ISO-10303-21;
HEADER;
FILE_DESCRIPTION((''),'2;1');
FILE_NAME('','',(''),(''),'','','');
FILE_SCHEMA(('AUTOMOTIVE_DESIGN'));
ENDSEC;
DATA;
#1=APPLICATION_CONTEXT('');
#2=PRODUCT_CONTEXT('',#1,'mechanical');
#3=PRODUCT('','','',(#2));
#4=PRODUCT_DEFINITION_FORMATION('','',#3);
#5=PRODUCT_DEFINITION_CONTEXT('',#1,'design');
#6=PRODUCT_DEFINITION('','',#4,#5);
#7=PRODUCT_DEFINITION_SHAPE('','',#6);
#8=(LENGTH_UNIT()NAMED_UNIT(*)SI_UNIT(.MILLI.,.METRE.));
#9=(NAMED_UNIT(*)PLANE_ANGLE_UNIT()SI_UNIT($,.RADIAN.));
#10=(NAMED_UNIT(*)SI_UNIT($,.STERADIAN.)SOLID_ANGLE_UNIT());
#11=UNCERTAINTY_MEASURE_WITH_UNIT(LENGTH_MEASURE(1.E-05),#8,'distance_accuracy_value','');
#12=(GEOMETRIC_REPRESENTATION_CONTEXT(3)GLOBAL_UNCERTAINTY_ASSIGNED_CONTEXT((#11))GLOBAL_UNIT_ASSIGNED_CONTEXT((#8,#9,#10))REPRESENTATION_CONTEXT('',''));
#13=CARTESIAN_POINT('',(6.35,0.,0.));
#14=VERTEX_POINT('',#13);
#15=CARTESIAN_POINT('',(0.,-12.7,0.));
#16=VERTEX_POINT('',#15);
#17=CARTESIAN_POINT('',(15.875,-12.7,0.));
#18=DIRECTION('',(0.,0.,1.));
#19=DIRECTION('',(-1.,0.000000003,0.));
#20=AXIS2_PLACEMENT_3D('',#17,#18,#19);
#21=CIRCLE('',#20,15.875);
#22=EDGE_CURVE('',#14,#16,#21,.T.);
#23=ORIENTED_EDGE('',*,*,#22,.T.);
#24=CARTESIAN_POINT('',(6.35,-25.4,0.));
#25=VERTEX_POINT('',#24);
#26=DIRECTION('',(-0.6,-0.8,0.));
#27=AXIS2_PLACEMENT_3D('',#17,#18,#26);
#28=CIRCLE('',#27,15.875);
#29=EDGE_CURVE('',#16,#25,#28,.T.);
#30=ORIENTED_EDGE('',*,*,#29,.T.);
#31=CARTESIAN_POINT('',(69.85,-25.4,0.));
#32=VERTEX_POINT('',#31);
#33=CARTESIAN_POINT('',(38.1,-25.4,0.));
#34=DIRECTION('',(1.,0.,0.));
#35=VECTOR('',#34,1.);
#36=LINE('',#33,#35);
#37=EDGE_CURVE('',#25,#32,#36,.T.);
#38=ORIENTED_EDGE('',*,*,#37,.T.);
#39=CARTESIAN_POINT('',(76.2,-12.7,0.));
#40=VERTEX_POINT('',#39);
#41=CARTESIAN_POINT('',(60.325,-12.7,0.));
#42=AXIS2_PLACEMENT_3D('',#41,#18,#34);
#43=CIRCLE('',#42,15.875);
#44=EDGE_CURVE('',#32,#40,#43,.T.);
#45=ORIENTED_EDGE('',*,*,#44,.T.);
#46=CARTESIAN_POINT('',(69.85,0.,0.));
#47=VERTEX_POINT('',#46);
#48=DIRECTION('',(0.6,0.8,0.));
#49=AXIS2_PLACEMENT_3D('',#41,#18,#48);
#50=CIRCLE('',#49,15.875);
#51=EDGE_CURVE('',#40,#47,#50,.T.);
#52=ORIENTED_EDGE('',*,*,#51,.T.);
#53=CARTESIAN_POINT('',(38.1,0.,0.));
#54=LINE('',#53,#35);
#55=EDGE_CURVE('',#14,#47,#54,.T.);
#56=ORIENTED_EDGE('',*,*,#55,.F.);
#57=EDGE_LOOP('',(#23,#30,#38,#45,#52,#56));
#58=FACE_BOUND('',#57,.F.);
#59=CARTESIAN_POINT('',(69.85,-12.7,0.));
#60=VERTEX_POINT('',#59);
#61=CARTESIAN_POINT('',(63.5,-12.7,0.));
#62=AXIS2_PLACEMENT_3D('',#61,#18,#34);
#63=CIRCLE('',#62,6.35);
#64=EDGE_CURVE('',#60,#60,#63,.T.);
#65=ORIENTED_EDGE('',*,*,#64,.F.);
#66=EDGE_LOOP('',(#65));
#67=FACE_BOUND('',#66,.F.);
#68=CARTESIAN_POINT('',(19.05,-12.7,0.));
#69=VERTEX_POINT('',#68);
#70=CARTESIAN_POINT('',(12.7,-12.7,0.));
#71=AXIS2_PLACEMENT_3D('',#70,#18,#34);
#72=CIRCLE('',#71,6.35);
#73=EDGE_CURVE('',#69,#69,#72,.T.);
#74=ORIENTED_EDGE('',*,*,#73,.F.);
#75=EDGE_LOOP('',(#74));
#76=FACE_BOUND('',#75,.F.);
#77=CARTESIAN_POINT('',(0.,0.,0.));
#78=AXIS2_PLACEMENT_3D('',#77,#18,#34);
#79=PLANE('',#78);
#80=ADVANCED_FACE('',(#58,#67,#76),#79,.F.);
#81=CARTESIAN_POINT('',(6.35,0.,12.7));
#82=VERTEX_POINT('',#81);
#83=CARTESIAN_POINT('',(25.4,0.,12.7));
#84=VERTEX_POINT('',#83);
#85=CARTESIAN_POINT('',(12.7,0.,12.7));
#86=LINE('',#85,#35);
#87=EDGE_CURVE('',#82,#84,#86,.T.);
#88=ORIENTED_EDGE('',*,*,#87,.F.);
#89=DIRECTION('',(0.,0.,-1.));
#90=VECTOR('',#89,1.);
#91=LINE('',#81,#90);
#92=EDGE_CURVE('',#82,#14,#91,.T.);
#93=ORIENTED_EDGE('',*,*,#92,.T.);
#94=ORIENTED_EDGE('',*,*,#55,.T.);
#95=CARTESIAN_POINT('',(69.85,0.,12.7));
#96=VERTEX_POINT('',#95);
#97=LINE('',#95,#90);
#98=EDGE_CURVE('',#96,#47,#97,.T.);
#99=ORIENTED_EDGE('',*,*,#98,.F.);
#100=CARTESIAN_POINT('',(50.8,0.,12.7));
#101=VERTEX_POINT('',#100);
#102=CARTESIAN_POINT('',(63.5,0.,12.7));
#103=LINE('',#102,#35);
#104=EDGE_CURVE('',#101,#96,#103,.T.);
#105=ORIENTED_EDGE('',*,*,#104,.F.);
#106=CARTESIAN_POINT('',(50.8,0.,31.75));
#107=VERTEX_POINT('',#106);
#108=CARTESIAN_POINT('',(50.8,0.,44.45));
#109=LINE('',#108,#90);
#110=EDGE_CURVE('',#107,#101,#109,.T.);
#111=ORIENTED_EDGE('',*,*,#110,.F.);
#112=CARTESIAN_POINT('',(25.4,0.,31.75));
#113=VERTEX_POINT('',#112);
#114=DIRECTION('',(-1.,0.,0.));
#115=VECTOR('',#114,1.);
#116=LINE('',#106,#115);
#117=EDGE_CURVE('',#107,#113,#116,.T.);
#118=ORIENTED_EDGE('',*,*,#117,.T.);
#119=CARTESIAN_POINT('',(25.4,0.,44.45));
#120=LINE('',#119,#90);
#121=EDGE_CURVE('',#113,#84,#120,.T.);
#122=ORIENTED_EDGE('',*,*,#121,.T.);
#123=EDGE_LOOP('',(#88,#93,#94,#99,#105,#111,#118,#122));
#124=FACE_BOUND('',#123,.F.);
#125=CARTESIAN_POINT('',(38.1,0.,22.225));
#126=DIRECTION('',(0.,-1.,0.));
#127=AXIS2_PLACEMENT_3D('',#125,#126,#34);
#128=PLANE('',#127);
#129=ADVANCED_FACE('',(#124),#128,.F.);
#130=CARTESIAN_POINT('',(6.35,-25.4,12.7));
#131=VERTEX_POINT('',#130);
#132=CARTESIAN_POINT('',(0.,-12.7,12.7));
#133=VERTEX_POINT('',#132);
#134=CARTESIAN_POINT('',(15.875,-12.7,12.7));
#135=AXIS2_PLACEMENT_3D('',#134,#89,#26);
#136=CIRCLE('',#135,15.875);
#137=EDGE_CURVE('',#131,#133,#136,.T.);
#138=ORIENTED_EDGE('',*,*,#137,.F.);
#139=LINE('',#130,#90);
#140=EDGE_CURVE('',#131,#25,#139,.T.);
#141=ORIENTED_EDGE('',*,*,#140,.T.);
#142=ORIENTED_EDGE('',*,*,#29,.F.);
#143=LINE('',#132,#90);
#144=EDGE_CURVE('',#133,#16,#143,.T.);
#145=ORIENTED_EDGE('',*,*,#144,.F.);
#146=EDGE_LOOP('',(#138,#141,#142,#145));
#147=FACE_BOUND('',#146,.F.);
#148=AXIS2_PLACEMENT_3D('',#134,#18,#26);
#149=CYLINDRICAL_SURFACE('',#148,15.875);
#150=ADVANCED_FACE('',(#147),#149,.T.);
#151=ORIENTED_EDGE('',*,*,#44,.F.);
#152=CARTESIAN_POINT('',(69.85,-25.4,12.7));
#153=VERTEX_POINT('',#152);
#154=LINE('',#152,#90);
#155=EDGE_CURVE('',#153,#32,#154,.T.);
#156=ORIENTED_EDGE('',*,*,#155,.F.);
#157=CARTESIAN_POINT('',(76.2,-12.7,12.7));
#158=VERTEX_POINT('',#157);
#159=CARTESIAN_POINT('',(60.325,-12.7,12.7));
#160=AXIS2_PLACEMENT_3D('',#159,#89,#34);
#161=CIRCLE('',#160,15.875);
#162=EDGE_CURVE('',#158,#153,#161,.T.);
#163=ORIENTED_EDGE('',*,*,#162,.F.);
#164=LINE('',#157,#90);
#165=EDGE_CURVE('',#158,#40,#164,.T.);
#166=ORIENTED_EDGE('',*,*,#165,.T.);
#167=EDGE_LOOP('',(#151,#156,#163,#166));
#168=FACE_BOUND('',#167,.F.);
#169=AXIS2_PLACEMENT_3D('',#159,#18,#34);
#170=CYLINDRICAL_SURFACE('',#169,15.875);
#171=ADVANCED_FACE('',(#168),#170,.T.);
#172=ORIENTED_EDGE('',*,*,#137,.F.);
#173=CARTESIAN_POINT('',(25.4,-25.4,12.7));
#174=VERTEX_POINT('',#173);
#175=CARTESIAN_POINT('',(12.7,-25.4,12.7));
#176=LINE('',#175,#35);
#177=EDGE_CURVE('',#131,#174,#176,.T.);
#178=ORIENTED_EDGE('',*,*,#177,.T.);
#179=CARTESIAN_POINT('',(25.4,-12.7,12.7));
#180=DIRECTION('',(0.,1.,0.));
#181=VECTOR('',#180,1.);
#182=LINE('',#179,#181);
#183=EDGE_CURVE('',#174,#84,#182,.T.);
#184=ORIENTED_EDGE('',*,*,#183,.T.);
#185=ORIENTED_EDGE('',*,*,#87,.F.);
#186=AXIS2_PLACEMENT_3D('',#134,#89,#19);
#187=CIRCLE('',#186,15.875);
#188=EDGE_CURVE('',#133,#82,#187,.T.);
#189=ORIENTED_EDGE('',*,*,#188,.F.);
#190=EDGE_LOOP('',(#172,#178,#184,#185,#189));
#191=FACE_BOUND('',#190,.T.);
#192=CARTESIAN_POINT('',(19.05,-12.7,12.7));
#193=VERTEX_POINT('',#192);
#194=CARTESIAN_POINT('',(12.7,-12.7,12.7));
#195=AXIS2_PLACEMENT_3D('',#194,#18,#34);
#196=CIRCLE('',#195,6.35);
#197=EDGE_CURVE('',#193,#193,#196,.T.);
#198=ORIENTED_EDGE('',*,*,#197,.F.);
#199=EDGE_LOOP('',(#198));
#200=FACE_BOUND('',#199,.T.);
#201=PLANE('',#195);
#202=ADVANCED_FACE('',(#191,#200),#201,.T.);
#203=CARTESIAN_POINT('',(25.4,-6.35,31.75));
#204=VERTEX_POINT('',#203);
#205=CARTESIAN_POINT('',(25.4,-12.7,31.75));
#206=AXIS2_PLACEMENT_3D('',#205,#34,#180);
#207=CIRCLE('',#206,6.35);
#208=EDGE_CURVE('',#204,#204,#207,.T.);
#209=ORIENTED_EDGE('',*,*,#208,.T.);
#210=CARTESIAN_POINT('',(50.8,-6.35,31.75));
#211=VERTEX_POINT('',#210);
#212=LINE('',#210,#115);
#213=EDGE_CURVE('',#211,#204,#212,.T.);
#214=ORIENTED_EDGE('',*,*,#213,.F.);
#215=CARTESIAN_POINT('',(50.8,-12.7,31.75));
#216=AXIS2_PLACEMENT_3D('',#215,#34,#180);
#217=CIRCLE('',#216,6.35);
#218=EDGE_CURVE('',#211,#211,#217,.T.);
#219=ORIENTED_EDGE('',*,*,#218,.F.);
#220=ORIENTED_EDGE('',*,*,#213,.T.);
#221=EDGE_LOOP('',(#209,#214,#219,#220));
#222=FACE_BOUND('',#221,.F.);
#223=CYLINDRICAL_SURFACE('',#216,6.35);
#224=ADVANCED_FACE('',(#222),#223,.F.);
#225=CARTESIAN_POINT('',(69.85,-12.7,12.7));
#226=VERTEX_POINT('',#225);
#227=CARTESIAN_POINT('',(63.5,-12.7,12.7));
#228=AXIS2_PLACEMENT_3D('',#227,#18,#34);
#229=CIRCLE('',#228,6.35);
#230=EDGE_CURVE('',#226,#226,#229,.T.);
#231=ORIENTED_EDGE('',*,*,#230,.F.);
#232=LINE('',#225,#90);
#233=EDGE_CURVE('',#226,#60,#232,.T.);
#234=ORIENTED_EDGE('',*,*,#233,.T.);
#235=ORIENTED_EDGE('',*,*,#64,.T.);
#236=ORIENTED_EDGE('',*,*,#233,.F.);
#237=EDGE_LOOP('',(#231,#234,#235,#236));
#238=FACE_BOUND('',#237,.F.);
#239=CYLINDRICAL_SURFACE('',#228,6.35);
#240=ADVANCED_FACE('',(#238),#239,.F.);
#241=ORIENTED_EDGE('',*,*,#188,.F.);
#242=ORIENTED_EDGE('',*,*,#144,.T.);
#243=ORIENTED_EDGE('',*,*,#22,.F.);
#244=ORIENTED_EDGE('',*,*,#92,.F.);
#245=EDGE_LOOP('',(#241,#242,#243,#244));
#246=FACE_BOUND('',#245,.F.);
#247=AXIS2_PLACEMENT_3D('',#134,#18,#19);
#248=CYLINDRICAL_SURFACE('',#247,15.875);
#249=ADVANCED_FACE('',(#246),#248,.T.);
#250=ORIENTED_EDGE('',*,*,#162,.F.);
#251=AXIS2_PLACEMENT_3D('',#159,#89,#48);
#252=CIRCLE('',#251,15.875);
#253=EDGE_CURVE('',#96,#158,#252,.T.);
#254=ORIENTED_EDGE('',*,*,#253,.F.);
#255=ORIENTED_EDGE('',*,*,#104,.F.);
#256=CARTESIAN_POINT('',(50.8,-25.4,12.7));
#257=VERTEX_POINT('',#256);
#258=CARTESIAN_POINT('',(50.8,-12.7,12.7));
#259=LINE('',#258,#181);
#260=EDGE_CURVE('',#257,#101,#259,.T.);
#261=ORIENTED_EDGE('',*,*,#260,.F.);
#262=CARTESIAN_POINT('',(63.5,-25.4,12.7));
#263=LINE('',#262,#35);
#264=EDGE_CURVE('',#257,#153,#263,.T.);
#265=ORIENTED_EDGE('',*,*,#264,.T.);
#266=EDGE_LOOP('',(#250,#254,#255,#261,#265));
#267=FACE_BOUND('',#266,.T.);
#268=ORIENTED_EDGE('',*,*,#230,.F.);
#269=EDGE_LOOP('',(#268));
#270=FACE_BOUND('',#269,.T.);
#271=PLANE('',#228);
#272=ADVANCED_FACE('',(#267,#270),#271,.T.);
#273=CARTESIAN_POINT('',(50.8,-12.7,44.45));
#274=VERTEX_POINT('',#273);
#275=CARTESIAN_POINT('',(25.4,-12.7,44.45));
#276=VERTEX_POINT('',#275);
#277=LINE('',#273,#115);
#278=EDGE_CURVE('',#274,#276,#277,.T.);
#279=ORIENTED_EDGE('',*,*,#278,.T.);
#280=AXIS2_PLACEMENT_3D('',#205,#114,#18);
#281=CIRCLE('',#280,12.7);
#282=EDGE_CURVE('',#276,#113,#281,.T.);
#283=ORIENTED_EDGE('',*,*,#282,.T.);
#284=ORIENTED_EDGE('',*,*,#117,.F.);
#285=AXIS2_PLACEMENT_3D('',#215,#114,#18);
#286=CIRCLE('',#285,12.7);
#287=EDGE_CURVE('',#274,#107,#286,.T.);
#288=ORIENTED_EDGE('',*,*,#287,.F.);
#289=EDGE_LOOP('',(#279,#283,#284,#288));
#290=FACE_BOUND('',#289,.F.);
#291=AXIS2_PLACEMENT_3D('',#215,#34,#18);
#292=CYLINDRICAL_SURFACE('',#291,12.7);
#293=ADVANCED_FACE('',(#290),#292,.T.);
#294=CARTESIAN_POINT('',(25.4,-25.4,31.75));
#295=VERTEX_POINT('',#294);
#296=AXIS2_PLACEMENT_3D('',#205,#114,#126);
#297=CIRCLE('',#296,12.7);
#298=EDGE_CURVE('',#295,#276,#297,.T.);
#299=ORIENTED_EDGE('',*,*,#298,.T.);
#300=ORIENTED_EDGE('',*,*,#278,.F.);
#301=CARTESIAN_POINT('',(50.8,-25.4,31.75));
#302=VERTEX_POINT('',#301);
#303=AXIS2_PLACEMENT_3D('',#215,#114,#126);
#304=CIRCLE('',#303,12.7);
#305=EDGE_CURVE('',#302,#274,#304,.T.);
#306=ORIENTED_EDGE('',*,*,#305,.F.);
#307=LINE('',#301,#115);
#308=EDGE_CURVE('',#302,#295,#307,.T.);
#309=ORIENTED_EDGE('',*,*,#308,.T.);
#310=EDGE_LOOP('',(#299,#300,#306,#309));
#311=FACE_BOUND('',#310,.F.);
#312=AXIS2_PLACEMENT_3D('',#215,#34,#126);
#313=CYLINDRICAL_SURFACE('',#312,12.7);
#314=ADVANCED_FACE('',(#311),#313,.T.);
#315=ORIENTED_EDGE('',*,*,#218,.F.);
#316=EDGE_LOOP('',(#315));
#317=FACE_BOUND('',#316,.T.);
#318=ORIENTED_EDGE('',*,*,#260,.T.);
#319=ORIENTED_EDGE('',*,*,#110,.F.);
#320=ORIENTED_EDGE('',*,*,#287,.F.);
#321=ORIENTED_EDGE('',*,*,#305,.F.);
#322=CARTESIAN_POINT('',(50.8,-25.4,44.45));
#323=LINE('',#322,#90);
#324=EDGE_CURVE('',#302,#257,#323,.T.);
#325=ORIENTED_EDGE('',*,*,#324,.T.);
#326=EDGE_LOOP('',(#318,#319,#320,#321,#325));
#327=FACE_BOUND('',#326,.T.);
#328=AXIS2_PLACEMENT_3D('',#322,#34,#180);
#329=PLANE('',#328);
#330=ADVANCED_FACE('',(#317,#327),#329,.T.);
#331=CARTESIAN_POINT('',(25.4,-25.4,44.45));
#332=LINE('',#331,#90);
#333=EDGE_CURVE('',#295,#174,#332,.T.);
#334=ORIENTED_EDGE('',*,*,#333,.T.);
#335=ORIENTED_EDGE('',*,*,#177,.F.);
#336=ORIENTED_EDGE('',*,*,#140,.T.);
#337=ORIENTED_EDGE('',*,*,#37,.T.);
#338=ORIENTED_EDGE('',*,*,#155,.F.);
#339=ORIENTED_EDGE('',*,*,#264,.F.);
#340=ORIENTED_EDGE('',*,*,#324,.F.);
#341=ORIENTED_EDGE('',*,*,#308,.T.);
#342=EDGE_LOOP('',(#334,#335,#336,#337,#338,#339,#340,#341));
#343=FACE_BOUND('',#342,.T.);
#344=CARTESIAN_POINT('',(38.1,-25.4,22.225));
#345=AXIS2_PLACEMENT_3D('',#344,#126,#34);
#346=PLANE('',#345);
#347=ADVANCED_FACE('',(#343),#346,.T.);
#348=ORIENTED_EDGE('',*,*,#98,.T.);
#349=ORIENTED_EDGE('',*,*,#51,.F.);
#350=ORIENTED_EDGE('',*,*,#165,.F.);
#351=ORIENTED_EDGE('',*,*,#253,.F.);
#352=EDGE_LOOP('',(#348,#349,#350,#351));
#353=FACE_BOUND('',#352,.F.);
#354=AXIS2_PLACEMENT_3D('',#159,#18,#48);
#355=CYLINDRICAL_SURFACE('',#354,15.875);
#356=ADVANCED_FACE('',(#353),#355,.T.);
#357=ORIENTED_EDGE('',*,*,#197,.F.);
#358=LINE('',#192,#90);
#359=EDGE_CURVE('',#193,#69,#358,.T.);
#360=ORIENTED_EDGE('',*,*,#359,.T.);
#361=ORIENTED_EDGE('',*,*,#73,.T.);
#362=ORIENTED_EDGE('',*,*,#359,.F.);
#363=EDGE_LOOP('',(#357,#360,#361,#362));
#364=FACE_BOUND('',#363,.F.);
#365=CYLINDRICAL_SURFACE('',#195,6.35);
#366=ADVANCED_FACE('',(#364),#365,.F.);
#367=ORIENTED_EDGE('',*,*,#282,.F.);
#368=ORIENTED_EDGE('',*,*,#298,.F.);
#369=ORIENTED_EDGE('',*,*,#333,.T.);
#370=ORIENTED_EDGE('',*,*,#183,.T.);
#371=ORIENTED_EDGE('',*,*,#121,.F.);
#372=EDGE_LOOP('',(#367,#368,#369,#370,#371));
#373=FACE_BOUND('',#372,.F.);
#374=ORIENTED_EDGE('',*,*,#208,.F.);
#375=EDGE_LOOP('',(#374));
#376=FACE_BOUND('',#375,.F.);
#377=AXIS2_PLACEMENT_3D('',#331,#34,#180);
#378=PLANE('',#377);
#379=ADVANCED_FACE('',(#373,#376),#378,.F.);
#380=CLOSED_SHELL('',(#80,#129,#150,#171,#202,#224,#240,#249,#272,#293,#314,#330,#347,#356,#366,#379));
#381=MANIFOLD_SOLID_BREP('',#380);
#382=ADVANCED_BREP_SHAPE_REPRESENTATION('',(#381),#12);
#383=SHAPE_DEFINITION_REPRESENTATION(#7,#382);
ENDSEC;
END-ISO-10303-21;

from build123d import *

# Parameters (mm, degrees)
F0_W      = 76.2
F0_H      = 44.45
F1_DEPTH  = 25.4
F2_W      = 25.4
F2_H      = 25.4
F3_DEPTH  = 31.75
F4_R      = 6.35
F5_DEPTH  = 25.4
F6_R      = 6.35
F7_DEPTH  = 25.4
F9_DEPTH  = 25.4
F11_DEPTH = 25.4
F13_DEPTH = 25.4


with BuildPart() as f1:
    # F0 (on Front) → F1 (new body)
    with BuildSketch(Plane.XZ):
        with Locations((38.1, 22.225)):
            Rectangle(F0_W, F0_H)
    extrude(amount=F1_DEPTH)

    # F2 (on face) → F3 (cut)
    with BuildSketch(Plane.XY.offset(44.45)):
        with Locations((63.5, -12.7)):
            Rectangle(F2_W, F2_H)
        with Locations((12.7, -12.7)):
            Rectangle(F2_W, F2_H)
    extrude(amount=-F3_DEPTH, mode=Mode.SUBTRACT)

    # F4 (on face) → F5 (cut)
    with BuildSketch(Plane.XY.offset(12.7)):
        with Locations((12.7, -12.7)):
            Circle(F4_R)
        with Locations((63.5, -12.7)):
            Circle(F4_R)
    extrude(amount=-F5_DEPTH, mode=Mode.SUBTRACT)

    # F6 (on face) → F7 (cut)
    with BuildSketch(Plane.YZ.offset(50.8)):
        with Locations((-12.7, 31.75)):
            Circle(F6_R)
    extrude(amount=-F7_DEPTH, mode=Mode.SUBTRACT)

    # F8 (on face) → F9 (cut)
    with BuildSketch(Plane.XY.offset(12.7)):
        with BuildLine():
            ThreePointArc((69.85, 0), (74.5240316571, -5.6004841714), (76.2, -12.7))
            Line((76.2, -12.7), (76.2, 0))
            Line((76.2, 0), (69.85, 0))
        make_face()
        with BuildLine():
            ThreePointArc((76.2, -12.7), (74.5240316571, -19.7995158286), (69.85, -25.4))
            Line((69.85, -25.4), (76.2, -25.4))
            Line((76.2, -25.4), (76.2, -12.7))
        make_face()
    extrude(amount=-F9_DEPTH, mode=Mode.SUBTRACT)

    # F10 (on face) → F11 (cut)
    with BuildSketch(Plane.XY.offset(12.7)):
        with BuildLine():
            ThreePointArc((0, -12.6999999584), (1.6759683522, -5.6004841529), (6.35, 0))
            Line((6.35, 0), (0, 0))
            Line((0, 0), (0, -12.6999999584))
        make_face()
        with BuildLine():
            ThreePointArc((6.35, -25.4), (1.6759683336, -19.79951581), (0, -12.6999999584))
            Line((0, -12.6999999584), (0, -25.4))
            Line((0, -25.4), (6.35, -25.4))
        make_face()
    extrude(amount=-F11_DEPTH, mode=Mode.SUBTRACT)

    # F12 (on face) → F13 (cut)
    with BuildSketch(Plane.YZ.offset(50.8)):
        with BuildLine():
            ThreePointArc((-25.4, 31.75), (-21.6802561211, 40.7302561211), (-12.7, 44.45))
            Line((-12.7, 44.45), (-25.4, 44.45))
            Line((-25.4, 44.45), (-25.4, 31.75))
        make_face()
        with BuildLine():
            ThreePointArc((-12.7, 44.45), (-3.7197438789, 40.7302561211), (0, 31.75))
            Line((0, 31.75), (0, 44.45))
            Line((0, 44.45), (-12.7, 44.45))
        make_face()
    extrude(amount=-F13_DEPTH, mode=Mode.SUBTRACT)


solid = f1.part
